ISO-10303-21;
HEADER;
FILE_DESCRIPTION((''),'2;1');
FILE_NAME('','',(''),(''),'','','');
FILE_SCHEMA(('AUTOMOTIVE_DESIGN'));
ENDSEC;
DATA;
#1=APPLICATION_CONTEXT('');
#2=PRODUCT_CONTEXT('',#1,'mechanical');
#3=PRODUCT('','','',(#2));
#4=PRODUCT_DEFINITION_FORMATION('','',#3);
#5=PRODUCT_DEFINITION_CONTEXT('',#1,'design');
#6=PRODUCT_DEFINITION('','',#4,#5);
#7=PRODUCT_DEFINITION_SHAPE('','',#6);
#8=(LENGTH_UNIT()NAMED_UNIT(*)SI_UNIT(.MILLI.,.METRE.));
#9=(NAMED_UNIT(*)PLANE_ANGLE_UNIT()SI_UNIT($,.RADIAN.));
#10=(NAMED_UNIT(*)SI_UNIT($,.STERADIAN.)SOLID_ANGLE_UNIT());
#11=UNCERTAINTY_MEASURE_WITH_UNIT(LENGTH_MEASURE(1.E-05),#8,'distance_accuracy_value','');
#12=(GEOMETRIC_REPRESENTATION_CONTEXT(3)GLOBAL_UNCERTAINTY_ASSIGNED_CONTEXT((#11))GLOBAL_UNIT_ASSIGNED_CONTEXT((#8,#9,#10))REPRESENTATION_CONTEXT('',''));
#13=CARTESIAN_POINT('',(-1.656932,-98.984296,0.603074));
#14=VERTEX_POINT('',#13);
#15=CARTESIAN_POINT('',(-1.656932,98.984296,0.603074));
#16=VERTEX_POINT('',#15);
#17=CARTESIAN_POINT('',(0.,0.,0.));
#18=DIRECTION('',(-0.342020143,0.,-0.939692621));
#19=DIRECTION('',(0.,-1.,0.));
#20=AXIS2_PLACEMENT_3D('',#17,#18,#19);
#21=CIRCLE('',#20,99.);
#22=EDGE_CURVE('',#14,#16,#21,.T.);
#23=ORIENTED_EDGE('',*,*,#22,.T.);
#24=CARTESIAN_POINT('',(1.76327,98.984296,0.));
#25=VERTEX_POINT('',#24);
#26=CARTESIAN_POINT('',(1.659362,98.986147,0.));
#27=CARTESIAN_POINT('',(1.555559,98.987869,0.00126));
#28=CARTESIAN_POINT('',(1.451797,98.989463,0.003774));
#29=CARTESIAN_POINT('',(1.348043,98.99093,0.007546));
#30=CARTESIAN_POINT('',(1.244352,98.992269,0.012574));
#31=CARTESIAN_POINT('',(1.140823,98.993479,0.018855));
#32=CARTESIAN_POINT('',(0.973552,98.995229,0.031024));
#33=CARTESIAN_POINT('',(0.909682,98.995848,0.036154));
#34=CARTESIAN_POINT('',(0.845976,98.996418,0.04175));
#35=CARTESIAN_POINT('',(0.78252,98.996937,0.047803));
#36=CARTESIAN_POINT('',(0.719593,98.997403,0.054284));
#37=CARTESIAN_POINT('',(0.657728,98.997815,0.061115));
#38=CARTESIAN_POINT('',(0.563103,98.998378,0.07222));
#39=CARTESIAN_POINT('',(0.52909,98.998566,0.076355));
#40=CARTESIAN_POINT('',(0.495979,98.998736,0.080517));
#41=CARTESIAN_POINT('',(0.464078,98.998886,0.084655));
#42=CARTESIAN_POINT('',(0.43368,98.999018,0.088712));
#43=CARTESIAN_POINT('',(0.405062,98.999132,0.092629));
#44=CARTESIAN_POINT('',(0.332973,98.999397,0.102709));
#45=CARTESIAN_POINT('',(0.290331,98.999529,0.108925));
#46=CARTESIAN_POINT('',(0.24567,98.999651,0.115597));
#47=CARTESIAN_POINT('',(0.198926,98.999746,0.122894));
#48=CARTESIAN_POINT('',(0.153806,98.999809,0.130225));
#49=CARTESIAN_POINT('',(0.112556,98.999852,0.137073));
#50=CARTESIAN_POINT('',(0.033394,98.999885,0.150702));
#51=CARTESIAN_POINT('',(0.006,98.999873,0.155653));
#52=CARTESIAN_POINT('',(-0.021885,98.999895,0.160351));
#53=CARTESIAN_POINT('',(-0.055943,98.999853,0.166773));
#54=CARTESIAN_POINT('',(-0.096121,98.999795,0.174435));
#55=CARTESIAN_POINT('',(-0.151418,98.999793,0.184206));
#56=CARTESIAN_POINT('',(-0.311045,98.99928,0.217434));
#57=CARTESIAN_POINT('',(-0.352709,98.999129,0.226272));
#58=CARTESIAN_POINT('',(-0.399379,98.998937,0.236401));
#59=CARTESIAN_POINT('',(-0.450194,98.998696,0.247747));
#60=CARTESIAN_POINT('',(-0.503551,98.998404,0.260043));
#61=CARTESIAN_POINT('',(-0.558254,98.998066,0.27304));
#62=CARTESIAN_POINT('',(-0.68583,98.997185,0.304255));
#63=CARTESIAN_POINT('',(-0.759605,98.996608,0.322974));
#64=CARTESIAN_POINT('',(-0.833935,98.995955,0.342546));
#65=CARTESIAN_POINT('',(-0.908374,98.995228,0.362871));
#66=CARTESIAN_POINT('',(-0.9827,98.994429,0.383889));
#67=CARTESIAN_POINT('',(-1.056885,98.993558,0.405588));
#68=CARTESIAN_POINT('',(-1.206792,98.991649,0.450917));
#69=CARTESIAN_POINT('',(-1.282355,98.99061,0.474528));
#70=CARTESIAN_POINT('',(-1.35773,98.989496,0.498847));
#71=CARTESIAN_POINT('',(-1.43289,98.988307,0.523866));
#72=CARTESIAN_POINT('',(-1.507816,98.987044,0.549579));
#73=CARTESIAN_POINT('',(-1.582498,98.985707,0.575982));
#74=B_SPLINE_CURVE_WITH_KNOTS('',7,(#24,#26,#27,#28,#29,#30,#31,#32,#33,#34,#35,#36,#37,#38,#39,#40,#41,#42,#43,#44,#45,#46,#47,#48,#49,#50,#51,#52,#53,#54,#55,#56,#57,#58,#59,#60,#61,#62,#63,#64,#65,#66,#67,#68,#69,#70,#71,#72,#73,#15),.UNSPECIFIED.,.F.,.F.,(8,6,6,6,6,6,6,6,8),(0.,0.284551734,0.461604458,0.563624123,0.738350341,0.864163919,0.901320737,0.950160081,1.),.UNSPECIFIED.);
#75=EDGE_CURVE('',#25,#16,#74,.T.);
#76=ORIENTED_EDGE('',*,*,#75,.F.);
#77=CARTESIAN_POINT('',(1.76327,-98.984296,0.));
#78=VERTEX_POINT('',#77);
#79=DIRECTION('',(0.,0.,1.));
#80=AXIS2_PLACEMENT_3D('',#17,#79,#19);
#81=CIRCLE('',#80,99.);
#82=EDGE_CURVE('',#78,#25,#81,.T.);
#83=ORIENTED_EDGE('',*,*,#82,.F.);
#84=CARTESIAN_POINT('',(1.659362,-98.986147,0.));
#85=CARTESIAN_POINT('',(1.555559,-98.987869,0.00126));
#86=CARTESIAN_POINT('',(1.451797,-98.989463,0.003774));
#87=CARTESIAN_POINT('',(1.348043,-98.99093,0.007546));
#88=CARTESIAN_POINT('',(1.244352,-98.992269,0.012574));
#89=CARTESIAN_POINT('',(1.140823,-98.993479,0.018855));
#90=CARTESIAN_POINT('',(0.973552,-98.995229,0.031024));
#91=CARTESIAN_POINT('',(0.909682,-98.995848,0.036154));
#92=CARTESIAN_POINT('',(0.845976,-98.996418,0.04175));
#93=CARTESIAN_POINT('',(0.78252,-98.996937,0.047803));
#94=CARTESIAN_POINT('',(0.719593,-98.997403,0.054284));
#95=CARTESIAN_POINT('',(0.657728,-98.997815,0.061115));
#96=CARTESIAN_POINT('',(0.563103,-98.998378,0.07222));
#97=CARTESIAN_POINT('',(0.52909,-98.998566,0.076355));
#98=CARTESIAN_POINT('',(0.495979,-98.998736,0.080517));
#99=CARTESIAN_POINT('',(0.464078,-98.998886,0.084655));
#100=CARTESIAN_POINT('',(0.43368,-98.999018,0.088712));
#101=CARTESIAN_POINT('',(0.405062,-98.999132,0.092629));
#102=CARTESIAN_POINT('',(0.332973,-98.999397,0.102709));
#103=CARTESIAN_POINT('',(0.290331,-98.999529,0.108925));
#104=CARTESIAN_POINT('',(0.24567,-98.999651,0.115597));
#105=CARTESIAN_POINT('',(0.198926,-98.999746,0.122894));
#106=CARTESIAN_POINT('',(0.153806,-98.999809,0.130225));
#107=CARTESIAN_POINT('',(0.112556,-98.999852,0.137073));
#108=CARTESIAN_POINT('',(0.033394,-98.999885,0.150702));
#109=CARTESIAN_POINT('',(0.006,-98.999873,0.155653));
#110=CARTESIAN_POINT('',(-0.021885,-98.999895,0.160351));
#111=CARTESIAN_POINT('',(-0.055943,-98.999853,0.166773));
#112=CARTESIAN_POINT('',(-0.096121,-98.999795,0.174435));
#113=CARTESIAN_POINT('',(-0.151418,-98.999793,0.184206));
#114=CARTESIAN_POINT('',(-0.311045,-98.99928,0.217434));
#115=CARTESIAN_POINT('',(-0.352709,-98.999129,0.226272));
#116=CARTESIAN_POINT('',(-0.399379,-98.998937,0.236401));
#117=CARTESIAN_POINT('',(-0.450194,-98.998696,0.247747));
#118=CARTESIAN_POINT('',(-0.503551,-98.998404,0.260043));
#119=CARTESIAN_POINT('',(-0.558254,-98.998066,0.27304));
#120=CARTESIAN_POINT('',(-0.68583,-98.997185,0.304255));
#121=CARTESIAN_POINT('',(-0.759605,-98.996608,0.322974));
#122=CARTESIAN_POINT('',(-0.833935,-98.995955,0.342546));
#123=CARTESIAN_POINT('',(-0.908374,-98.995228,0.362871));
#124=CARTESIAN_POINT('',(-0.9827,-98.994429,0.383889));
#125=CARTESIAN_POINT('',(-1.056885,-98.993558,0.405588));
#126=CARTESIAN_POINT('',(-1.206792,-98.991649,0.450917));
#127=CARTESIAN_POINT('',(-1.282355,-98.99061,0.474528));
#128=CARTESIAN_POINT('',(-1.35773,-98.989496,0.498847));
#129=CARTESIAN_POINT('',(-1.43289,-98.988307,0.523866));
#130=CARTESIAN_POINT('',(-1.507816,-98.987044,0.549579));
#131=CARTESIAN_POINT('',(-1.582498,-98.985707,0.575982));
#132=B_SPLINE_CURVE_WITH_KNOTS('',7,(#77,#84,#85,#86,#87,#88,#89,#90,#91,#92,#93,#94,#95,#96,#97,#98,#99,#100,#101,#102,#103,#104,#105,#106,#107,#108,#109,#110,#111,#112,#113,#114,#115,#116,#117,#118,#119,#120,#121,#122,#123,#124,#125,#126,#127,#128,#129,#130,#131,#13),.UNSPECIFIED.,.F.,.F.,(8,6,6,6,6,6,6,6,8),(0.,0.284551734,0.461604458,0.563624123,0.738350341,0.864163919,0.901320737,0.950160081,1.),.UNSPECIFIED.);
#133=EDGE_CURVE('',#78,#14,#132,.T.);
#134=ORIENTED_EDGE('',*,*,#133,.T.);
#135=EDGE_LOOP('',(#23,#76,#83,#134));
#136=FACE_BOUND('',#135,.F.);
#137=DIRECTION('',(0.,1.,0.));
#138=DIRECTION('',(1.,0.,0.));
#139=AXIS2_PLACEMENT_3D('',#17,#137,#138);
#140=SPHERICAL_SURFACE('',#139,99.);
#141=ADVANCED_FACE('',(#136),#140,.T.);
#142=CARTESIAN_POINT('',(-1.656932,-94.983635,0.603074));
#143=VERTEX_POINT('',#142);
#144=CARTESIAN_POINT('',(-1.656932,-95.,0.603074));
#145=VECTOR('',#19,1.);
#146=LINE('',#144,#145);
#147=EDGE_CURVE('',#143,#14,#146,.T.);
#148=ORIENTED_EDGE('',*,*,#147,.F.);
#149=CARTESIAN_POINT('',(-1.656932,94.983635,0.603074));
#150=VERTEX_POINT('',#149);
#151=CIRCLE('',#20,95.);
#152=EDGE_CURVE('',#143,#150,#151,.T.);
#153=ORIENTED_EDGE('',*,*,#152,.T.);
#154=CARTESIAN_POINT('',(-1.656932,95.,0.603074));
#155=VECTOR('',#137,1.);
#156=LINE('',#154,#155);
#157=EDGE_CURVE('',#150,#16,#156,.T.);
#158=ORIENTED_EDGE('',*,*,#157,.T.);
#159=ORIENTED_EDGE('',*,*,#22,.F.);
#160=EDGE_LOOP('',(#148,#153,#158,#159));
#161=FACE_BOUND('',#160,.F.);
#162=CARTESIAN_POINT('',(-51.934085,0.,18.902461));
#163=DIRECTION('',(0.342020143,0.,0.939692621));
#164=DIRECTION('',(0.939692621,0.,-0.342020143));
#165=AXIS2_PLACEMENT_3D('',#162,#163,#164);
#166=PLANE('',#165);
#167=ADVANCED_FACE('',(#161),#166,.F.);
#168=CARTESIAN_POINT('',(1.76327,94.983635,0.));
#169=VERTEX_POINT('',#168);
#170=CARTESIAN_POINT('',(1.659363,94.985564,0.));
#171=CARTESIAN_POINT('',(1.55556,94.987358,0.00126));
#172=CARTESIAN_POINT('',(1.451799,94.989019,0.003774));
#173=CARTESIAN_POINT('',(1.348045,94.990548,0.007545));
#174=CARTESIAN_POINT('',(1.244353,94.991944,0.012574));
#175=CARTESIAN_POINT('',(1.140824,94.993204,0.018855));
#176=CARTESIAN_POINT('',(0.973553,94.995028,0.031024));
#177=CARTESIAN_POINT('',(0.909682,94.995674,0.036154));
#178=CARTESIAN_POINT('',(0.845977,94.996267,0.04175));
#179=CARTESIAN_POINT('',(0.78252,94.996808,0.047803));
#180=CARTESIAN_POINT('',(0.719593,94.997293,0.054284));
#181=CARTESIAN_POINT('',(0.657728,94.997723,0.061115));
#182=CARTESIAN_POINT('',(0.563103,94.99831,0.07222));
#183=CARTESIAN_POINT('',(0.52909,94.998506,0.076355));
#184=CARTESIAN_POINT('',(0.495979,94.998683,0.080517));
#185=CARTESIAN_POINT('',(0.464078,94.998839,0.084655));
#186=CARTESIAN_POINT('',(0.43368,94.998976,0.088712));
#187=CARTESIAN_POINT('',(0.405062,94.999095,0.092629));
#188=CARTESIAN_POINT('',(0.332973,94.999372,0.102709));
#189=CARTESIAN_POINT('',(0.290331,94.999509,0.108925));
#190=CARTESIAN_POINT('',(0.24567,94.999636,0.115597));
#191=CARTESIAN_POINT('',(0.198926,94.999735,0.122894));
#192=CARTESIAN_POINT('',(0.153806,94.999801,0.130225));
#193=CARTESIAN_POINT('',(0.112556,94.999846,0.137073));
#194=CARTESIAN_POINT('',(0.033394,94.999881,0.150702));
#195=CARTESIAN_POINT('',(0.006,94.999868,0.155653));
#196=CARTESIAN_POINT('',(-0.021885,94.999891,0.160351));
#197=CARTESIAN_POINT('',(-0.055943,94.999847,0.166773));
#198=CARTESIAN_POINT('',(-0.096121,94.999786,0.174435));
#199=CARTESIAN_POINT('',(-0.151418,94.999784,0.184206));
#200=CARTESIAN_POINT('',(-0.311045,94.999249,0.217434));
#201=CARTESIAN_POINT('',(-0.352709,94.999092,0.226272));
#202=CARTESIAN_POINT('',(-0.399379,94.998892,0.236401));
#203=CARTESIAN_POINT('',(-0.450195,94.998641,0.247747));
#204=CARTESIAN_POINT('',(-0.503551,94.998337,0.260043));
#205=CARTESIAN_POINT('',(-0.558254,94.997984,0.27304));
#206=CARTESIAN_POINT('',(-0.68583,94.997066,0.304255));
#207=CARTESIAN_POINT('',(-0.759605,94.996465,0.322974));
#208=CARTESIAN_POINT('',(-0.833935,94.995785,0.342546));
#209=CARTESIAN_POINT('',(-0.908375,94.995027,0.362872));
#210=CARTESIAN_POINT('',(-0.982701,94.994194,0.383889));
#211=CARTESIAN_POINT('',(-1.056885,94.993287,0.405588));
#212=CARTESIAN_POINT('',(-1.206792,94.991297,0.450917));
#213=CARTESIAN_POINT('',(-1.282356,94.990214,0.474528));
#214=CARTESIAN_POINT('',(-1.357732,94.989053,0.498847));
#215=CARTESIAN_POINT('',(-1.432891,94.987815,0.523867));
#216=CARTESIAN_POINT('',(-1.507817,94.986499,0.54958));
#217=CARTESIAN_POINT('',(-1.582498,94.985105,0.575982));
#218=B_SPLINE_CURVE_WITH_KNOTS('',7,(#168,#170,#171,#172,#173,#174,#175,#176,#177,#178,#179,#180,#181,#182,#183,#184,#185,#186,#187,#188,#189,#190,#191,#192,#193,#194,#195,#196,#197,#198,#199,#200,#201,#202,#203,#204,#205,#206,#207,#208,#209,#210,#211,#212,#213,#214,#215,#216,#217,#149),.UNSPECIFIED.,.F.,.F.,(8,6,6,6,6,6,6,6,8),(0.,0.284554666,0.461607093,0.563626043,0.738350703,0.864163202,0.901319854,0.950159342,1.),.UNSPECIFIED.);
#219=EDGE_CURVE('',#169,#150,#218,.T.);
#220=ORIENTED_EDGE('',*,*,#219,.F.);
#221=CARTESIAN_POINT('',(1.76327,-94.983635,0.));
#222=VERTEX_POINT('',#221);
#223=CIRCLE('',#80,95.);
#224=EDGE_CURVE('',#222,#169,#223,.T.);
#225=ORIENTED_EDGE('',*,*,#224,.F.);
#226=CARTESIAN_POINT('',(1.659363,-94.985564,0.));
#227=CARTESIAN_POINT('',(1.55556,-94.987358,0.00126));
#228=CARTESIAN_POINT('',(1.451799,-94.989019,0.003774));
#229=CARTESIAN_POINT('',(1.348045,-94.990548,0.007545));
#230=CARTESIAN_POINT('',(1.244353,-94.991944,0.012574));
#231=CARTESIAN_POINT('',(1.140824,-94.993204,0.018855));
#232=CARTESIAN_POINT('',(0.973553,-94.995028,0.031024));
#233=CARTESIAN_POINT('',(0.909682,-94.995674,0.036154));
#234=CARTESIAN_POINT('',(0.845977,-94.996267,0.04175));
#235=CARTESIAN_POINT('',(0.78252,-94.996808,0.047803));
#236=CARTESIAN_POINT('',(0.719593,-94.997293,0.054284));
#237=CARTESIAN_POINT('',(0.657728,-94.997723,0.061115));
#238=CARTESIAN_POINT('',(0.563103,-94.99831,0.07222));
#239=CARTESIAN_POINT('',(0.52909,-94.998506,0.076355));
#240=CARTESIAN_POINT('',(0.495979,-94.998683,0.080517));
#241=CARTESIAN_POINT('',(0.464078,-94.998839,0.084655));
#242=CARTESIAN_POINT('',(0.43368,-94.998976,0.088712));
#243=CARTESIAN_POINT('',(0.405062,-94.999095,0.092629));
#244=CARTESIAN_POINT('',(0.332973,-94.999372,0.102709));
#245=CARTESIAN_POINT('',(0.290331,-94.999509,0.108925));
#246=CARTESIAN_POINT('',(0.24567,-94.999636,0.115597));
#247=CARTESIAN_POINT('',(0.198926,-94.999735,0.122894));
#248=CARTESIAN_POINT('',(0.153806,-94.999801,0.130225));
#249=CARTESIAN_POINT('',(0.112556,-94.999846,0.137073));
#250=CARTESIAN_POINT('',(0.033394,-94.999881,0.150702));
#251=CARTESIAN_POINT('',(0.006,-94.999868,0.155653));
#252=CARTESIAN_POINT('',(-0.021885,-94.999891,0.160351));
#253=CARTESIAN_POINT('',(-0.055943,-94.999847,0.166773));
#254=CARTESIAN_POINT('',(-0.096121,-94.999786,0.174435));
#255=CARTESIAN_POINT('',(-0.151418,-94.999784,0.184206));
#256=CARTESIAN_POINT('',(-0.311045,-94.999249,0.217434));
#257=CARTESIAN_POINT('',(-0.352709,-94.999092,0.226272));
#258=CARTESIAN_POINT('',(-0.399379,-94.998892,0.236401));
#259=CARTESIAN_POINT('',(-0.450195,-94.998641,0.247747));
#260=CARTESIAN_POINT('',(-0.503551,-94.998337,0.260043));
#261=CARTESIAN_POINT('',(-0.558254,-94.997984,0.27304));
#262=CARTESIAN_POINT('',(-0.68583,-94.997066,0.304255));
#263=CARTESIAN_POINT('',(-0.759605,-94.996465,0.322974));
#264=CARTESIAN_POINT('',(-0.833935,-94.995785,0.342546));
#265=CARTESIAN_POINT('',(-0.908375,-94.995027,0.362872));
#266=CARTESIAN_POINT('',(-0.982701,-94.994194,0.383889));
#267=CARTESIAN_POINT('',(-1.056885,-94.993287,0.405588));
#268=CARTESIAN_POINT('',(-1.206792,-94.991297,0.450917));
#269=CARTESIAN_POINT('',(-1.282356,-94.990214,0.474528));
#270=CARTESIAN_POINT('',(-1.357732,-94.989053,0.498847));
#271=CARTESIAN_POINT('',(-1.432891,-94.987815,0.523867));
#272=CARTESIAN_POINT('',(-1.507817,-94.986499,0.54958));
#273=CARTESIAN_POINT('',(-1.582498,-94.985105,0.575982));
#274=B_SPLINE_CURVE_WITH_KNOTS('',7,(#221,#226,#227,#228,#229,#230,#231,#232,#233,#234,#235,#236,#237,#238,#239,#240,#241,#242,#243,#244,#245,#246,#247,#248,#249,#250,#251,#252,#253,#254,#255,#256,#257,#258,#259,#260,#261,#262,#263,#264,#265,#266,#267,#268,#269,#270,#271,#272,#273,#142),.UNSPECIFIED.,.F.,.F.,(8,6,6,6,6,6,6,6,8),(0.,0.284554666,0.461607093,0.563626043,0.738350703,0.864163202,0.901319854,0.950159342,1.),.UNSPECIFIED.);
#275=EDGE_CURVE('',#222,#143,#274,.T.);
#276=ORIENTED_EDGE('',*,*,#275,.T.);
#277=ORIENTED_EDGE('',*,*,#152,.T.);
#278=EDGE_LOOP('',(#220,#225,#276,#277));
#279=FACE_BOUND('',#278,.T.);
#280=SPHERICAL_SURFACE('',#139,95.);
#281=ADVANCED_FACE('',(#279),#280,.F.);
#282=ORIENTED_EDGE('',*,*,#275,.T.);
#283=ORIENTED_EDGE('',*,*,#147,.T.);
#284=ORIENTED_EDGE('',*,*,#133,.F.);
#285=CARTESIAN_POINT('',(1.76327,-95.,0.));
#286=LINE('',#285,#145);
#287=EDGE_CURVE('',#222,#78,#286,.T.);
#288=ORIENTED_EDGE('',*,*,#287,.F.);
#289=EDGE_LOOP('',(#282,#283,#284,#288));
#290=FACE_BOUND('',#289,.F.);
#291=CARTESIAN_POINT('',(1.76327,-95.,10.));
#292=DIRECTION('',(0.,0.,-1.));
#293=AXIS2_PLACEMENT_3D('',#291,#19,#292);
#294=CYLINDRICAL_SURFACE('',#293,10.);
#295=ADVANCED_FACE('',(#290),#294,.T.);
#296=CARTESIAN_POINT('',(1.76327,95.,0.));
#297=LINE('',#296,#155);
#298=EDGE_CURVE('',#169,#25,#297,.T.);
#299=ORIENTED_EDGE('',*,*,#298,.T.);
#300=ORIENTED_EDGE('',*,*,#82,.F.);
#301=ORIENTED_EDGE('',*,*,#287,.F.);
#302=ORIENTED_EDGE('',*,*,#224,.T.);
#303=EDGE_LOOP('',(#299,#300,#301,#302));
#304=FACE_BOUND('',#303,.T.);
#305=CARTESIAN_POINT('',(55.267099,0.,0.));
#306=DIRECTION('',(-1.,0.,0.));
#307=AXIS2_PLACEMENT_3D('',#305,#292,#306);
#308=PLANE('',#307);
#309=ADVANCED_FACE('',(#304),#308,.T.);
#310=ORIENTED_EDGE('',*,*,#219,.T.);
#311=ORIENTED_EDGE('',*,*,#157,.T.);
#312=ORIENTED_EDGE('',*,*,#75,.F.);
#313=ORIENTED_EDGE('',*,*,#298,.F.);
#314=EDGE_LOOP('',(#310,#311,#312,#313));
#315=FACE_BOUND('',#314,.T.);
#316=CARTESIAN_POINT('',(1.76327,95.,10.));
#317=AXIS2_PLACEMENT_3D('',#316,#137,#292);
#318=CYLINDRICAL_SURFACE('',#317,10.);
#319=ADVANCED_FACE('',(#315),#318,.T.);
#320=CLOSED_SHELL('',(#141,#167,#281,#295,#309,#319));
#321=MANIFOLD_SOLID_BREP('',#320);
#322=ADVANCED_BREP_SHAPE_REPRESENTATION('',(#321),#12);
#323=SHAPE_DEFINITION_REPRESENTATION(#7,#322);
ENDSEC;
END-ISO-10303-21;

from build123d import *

# Parameters (mm, degrees)
REVOLUTION_ANGLE = -160
FILLET_R         = 10


with BuildPart() as part:
    # Sketch → Revolution (revolve)
    with BuildSketch(Plane.XY):
        with BuildLine():
            ThreePointArc((0, -95), (95, 0), (0, 95))
            Line((0, 95), (0, 99))
            ThreePointArc((0, -99), (99, 0), (0, 99))
            Line((0, -95), (0, -99))
        make_face()
    revolve(axis=Axis((0, 0, 0), (0, 1, 0)), revolution_arc=REVOLUTION_ANGLE)

    # Fillet
    fillet_edges = [part.edges().sort_by_distance(p)[0] for p in [
        (0, 97, 0),
        (0, -97, 0),
    ]]
    fillet(fillet_edges, radius=FILLET_R)


solid = part.part
